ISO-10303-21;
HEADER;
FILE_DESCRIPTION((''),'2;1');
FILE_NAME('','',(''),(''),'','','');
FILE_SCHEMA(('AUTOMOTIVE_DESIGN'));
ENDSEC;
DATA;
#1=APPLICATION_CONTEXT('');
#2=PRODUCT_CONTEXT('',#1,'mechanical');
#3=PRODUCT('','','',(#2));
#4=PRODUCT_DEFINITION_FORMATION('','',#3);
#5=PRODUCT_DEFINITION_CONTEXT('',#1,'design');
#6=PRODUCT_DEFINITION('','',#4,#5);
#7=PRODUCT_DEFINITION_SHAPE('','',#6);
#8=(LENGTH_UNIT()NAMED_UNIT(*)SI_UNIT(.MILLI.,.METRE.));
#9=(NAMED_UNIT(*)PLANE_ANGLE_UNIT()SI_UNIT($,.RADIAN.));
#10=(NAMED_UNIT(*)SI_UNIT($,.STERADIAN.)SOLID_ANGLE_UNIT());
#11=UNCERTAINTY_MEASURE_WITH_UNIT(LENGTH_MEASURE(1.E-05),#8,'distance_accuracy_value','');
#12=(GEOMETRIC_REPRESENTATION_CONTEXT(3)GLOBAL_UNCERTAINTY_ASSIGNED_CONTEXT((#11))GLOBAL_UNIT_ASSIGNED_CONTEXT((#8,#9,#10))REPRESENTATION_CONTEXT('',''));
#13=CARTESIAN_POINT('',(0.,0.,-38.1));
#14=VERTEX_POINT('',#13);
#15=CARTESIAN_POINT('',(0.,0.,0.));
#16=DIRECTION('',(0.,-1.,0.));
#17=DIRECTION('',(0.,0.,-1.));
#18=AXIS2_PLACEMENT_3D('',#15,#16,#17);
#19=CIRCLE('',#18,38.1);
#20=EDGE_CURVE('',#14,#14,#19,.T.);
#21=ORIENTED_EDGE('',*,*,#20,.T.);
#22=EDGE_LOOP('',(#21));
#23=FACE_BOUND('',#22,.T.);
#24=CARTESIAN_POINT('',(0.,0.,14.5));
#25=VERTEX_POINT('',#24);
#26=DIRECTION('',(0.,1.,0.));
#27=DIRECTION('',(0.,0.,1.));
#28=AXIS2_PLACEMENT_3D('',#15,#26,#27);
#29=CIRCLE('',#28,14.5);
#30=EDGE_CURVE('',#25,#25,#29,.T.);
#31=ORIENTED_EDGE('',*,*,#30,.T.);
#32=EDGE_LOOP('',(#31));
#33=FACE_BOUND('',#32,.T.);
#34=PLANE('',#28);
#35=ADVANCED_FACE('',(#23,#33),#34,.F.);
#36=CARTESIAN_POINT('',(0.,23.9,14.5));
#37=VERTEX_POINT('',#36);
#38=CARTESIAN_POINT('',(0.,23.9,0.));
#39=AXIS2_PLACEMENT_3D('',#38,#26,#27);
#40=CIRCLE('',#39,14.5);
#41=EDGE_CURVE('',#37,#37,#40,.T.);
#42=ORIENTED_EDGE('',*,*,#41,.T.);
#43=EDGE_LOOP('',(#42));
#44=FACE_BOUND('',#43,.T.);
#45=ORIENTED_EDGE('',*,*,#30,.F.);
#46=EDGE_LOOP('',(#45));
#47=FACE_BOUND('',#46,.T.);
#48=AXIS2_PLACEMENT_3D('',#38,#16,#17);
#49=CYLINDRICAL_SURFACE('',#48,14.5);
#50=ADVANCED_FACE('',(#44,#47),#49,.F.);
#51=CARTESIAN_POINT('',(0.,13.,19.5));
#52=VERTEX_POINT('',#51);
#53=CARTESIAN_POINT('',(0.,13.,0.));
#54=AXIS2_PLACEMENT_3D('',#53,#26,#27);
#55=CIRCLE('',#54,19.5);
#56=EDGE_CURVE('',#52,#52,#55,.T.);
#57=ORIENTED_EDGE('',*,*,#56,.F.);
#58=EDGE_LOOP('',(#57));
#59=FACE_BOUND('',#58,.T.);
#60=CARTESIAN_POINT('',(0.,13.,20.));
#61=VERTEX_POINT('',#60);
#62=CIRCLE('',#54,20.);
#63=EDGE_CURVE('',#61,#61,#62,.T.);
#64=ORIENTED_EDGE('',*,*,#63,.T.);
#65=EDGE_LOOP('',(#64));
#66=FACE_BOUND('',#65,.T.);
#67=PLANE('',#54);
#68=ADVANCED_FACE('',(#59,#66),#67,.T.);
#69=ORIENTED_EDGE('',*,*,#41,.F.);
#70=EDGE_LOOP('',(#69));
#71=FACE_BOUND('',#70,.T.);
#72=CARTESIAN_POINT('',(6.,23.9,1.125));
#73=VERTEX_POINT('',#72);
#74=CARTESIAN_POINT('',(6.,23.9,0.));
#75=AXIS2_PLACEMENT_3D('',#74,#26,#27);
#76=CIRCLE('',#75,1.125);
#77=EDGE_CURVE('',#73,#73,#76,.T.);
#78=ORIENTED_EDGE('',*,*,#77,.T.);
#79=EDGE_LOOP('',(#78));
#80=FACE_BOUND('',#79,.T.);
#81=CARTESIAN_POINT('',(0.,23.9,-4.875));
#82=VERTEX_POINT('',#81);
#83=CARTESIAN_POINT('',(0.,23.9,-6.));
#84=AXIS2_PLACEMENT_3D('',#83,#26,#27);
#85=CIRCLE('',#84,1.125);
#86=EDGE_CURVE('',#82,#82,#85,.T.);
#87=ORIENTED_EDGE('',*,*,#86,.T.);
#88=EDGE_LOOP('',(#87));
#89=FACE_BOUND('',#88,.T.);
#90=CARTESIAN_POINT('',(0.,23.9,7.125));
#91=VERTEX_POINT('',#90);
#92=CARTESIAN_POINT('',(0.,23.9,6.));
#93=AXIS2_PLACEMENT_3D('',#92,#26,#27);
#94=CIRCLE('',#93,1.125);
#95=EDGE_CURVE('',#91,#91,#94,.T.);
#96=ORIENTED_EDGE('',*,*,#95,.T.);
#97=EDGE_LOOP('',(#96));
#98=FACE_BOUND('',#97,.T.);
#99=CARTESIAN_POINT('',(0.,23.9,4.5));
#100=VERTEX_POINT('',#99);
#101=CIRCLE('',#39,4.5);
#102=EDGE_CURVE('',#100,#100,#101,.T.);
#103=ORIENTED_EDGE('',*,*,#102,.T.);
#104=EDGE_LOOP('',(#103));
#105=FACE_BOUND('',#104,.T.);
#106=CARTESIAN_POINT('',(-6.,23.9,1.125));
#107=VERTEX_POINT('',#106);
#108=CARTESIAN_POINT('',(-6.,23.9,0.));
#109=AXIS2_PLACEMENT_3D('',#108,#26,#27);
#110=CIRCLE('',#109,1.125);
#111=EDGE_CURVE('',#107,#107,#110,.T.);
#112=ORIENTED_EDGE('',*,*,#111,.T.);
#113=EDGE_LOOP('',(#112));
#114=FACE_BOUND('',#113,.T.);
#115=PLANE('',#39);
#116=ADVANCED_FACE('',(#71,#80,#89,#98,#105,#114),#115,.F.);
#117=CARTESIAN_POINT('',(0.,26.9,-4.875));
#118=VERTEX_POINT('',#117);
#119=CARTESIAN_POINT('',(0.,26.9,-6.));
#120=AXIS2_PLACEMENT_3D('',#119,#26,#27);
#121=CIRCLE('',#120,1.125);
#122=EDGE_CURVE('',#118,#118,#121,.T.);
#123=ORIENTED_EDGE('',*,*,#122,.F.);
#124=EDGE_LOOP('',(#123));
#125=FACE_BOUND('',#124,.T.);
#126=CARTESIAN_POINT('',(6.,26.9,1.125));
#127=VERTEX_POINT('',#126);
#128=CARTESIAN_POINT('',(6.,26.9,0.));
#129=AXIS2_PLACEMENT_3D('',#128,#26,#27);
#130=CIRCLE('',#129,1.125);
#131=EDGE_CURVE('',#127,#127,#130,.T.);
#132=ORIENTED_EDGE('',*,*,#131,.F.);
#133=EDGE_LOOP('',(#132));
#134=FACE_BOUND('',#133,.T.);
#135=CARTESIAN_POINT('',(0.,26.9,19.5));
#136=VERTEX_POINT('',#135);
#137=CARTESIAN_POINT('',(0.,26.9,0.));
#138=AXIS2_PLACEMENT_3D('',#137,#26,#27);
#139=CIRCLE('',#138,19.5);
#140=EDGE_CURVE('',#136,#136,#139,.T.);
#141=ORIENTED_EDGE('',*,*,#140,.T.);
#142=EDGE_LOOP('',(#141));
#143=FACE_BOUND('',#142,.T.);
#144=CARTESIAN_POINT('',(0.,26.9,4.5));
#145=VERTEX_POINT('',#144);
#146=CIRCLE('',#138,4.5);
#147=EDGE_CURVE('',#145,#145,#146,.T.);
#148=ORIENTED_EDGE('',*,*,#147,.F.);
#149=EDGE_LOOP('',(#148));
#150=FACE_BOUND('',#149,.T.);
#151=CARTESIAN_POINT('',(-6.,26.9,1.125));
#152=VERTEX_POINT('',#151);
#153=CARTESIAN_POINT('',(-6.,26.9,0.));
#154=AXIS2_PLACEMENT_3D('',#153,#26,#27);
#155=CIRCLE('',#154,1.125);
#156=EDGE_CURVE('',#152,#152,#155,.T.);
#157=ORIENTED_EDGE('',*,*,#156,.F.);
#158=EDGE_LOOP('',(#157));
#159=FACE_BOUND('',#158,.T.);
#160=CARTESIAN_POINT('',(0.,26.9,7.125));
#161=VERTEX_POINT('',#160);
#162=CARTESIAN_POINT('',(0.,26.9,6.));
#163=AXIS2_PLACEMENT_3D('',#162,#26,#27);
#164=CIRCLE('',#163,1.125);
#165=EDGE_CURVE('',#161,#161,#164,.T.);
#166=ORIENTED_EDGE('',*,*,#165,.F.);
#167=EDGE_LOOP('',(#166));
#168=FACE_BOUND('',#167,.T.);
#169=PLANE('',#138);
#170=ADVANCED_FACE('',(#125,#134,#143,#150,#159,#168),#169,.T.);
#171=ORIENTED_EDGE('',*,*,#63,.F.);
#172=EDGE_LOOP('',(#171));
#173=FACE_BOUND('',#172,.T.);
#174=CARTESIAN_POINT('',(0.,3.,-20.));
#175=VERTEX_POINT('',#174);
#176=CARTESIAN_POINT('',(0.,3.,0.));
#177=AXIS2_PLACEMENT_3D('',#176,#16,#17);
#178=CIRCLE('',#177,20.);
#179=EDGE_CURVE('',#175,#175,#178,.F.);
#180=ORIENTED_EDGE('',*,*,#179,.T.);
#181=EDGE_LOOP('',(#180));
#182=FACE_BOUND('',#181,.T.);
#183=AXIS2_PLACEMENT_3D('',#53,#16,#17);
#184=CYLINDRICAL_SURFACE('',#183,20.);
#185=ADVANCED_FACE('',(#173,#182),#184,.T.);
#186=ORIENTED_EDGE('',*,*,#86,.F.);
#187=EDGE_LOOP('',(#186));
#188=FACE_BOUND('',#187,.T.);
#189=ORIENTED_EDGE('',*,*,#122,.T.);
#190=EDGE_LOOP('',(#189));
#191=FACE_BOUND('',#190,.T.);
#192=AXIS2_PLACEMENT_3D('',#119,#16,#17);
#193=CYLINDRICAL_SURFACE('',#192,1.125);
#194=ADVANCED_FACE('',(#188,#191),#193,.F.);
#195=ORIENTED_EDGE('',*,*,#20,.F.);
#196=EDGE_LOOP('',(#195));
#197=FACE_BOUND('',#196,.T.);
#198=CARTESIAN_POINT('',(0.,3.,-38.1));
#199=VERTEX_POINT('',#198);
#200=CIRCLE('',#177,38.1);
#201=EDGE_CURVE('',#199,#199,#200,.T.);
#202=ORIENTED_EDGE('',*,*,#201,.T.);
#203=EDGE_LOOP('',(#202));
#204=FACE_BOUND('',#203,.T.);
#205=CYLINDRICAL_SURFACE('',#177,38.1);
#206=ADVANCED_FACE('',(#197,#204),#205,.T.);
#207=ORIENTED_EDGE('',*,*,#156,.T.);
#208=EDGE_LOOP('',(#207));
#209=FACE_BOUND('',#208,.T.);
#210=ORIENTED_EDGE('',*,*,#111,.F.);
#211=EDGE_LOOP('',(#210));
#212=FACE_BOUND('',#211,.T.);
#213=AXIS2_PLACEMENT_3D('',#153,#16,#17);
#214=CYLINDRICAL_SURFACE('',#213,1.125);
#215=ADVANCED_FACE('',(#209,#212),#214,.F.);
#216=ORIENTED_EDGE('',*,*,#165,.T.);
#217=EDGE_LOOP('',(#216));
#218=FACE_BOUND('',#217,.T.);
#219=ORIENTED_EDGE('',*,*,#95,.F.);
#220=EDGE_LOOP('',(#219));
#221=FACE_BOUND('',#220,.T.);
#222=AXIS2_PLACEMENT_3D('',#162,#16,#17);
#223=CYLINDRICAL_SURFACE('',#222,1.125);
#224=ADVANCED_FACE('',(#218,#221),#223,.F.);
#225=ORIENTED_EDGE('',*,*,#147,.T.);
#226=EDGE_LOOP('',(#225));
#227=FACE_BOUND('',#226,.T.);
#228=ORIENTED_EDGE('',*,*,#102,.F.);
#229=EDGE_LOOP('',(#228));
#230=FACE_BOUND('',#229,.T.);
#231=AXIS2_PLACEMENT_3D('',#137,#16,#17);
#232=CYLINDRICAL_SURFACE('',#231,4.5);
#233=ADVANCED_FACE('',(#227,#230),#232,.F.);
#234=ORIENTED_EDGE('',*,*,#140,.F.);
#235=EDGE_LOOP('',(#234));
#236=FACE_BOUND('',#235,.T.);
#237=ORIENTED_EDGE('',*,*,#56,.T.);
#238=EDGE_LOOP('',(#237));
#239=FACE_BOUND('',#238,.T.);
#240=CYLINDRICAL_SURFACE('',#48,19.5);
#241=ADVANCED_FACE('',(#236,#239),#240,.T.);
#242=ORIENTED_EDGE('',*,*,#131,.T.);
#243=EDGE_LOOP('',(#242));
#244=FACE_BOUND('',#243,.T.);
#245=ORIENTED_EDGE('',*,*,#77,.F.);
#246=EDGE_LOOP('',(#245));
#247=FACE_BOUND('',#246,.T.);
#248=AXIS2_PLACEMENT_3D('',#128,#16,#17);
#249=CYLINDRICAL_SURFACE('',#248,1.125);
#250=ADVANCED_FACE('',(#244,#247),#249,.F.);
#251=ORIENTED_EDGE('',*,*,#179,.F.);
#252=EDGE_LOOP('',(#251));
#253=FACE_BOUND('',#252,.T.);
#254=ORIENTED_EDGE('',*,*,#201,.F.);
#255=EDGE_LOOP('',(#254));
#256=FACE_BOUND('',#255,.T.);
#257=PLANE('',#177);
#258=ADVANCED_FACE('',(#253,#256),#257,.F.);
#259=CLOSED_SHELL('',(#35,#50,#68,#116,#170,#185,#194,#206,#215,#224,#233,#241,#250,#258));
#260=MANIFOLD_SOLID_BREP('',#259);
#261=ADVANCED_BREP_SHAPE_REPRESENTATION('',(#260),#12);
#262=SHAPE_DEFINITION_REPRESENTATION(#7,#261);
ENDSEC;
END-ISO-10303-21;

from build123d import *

# Parameters (mm, degrees)
SKETCH1_R           = 19.5
SKETCH1_R_2         = 14.5
BOSS_EXTRUDE1_DEPTH = 23.9
SKETCH2_R           = 38.1
SKETCH2_R_2         = 19.5
BOSS_EXTRUDE2_DEPTH = 3
SKETCH3_R           = 20
SKETCH3_R_2         = 19.5
BOSS_EXTRUDE3_DEPTH = 10
SKETCH4_R           = 19.5
SKETCH4_R_2         = 4.5
SKETCH4_R_3         = 1.125
BOSS_EXTRUDE4_DEPTH = 3


with BuildPart() as part:
    # Sketch1 → Boss-Extrude1 (new body)
    with BuildSketch(Plane(origin=(0, 0, 0), x_dir=(1, 0, 0), z_dir=(0, 1, 0))):
        Circle(SKETCH1_R)
        Circle(SKETCH1_R_2, mode=Mode.SUBTRACT)
    extrude(amount=BOSS_EXTRUDE1_DEPTH)

    # Sketch2 → Boss-Extrude2 (add)
    with BuildSketch(Plane.XZ):
        Circle(SKETCH2_R)
        Circle(SKETCH2_R_2, mode=Mode.SUBTRACT)
    extrude(amount=-BOSS_EXTRUDE2_DEPTH)

    # Sketch3 → Boss-Extrude3 (add)
    with BuildSketch(Plane(origin=(0, 3, 0), x_dir=(1, 0, 0), z_dir=(0, 1, 0))):
        Circle(SKETCH3_R)
        Circle(SKETCH3_R_2, mode=Mode.SUBTRACT)
    extrude(amount=BOSS_EXTRUDE3_DEPTH)

    # Sketch4 → Boss-Extrude4 (add)
    with BuildSketch(Plane(origin=(0, 23.9, 0), x_dir=(1, 0, 0), z_dir=(0, 1, 0))):
        Circle(SKETCH4_R)
        Circle(SKETCH4_R_2, mode=Mode.SUBTRACT)
        with Locations((0, 6)):
            Circle(SKETCH4_R_3, mode=Mode.SUBTRACT)
        with Locations((6, 0)):
            Circle(SKETCH4_R_3, mode=Mode.SUBTRACT)
        with Locations((0, -6)):
            Circle(SKETCH4_R_3, mode=Mode.SUBTRACT)
        with Locations((-6, 0)):
            Circle(SKETCH4_R_3, mode=Mode.SUBTRACT)
    extrude(amount=BOSS_EXTRUDE4_DEPTH)


solid = part.part
